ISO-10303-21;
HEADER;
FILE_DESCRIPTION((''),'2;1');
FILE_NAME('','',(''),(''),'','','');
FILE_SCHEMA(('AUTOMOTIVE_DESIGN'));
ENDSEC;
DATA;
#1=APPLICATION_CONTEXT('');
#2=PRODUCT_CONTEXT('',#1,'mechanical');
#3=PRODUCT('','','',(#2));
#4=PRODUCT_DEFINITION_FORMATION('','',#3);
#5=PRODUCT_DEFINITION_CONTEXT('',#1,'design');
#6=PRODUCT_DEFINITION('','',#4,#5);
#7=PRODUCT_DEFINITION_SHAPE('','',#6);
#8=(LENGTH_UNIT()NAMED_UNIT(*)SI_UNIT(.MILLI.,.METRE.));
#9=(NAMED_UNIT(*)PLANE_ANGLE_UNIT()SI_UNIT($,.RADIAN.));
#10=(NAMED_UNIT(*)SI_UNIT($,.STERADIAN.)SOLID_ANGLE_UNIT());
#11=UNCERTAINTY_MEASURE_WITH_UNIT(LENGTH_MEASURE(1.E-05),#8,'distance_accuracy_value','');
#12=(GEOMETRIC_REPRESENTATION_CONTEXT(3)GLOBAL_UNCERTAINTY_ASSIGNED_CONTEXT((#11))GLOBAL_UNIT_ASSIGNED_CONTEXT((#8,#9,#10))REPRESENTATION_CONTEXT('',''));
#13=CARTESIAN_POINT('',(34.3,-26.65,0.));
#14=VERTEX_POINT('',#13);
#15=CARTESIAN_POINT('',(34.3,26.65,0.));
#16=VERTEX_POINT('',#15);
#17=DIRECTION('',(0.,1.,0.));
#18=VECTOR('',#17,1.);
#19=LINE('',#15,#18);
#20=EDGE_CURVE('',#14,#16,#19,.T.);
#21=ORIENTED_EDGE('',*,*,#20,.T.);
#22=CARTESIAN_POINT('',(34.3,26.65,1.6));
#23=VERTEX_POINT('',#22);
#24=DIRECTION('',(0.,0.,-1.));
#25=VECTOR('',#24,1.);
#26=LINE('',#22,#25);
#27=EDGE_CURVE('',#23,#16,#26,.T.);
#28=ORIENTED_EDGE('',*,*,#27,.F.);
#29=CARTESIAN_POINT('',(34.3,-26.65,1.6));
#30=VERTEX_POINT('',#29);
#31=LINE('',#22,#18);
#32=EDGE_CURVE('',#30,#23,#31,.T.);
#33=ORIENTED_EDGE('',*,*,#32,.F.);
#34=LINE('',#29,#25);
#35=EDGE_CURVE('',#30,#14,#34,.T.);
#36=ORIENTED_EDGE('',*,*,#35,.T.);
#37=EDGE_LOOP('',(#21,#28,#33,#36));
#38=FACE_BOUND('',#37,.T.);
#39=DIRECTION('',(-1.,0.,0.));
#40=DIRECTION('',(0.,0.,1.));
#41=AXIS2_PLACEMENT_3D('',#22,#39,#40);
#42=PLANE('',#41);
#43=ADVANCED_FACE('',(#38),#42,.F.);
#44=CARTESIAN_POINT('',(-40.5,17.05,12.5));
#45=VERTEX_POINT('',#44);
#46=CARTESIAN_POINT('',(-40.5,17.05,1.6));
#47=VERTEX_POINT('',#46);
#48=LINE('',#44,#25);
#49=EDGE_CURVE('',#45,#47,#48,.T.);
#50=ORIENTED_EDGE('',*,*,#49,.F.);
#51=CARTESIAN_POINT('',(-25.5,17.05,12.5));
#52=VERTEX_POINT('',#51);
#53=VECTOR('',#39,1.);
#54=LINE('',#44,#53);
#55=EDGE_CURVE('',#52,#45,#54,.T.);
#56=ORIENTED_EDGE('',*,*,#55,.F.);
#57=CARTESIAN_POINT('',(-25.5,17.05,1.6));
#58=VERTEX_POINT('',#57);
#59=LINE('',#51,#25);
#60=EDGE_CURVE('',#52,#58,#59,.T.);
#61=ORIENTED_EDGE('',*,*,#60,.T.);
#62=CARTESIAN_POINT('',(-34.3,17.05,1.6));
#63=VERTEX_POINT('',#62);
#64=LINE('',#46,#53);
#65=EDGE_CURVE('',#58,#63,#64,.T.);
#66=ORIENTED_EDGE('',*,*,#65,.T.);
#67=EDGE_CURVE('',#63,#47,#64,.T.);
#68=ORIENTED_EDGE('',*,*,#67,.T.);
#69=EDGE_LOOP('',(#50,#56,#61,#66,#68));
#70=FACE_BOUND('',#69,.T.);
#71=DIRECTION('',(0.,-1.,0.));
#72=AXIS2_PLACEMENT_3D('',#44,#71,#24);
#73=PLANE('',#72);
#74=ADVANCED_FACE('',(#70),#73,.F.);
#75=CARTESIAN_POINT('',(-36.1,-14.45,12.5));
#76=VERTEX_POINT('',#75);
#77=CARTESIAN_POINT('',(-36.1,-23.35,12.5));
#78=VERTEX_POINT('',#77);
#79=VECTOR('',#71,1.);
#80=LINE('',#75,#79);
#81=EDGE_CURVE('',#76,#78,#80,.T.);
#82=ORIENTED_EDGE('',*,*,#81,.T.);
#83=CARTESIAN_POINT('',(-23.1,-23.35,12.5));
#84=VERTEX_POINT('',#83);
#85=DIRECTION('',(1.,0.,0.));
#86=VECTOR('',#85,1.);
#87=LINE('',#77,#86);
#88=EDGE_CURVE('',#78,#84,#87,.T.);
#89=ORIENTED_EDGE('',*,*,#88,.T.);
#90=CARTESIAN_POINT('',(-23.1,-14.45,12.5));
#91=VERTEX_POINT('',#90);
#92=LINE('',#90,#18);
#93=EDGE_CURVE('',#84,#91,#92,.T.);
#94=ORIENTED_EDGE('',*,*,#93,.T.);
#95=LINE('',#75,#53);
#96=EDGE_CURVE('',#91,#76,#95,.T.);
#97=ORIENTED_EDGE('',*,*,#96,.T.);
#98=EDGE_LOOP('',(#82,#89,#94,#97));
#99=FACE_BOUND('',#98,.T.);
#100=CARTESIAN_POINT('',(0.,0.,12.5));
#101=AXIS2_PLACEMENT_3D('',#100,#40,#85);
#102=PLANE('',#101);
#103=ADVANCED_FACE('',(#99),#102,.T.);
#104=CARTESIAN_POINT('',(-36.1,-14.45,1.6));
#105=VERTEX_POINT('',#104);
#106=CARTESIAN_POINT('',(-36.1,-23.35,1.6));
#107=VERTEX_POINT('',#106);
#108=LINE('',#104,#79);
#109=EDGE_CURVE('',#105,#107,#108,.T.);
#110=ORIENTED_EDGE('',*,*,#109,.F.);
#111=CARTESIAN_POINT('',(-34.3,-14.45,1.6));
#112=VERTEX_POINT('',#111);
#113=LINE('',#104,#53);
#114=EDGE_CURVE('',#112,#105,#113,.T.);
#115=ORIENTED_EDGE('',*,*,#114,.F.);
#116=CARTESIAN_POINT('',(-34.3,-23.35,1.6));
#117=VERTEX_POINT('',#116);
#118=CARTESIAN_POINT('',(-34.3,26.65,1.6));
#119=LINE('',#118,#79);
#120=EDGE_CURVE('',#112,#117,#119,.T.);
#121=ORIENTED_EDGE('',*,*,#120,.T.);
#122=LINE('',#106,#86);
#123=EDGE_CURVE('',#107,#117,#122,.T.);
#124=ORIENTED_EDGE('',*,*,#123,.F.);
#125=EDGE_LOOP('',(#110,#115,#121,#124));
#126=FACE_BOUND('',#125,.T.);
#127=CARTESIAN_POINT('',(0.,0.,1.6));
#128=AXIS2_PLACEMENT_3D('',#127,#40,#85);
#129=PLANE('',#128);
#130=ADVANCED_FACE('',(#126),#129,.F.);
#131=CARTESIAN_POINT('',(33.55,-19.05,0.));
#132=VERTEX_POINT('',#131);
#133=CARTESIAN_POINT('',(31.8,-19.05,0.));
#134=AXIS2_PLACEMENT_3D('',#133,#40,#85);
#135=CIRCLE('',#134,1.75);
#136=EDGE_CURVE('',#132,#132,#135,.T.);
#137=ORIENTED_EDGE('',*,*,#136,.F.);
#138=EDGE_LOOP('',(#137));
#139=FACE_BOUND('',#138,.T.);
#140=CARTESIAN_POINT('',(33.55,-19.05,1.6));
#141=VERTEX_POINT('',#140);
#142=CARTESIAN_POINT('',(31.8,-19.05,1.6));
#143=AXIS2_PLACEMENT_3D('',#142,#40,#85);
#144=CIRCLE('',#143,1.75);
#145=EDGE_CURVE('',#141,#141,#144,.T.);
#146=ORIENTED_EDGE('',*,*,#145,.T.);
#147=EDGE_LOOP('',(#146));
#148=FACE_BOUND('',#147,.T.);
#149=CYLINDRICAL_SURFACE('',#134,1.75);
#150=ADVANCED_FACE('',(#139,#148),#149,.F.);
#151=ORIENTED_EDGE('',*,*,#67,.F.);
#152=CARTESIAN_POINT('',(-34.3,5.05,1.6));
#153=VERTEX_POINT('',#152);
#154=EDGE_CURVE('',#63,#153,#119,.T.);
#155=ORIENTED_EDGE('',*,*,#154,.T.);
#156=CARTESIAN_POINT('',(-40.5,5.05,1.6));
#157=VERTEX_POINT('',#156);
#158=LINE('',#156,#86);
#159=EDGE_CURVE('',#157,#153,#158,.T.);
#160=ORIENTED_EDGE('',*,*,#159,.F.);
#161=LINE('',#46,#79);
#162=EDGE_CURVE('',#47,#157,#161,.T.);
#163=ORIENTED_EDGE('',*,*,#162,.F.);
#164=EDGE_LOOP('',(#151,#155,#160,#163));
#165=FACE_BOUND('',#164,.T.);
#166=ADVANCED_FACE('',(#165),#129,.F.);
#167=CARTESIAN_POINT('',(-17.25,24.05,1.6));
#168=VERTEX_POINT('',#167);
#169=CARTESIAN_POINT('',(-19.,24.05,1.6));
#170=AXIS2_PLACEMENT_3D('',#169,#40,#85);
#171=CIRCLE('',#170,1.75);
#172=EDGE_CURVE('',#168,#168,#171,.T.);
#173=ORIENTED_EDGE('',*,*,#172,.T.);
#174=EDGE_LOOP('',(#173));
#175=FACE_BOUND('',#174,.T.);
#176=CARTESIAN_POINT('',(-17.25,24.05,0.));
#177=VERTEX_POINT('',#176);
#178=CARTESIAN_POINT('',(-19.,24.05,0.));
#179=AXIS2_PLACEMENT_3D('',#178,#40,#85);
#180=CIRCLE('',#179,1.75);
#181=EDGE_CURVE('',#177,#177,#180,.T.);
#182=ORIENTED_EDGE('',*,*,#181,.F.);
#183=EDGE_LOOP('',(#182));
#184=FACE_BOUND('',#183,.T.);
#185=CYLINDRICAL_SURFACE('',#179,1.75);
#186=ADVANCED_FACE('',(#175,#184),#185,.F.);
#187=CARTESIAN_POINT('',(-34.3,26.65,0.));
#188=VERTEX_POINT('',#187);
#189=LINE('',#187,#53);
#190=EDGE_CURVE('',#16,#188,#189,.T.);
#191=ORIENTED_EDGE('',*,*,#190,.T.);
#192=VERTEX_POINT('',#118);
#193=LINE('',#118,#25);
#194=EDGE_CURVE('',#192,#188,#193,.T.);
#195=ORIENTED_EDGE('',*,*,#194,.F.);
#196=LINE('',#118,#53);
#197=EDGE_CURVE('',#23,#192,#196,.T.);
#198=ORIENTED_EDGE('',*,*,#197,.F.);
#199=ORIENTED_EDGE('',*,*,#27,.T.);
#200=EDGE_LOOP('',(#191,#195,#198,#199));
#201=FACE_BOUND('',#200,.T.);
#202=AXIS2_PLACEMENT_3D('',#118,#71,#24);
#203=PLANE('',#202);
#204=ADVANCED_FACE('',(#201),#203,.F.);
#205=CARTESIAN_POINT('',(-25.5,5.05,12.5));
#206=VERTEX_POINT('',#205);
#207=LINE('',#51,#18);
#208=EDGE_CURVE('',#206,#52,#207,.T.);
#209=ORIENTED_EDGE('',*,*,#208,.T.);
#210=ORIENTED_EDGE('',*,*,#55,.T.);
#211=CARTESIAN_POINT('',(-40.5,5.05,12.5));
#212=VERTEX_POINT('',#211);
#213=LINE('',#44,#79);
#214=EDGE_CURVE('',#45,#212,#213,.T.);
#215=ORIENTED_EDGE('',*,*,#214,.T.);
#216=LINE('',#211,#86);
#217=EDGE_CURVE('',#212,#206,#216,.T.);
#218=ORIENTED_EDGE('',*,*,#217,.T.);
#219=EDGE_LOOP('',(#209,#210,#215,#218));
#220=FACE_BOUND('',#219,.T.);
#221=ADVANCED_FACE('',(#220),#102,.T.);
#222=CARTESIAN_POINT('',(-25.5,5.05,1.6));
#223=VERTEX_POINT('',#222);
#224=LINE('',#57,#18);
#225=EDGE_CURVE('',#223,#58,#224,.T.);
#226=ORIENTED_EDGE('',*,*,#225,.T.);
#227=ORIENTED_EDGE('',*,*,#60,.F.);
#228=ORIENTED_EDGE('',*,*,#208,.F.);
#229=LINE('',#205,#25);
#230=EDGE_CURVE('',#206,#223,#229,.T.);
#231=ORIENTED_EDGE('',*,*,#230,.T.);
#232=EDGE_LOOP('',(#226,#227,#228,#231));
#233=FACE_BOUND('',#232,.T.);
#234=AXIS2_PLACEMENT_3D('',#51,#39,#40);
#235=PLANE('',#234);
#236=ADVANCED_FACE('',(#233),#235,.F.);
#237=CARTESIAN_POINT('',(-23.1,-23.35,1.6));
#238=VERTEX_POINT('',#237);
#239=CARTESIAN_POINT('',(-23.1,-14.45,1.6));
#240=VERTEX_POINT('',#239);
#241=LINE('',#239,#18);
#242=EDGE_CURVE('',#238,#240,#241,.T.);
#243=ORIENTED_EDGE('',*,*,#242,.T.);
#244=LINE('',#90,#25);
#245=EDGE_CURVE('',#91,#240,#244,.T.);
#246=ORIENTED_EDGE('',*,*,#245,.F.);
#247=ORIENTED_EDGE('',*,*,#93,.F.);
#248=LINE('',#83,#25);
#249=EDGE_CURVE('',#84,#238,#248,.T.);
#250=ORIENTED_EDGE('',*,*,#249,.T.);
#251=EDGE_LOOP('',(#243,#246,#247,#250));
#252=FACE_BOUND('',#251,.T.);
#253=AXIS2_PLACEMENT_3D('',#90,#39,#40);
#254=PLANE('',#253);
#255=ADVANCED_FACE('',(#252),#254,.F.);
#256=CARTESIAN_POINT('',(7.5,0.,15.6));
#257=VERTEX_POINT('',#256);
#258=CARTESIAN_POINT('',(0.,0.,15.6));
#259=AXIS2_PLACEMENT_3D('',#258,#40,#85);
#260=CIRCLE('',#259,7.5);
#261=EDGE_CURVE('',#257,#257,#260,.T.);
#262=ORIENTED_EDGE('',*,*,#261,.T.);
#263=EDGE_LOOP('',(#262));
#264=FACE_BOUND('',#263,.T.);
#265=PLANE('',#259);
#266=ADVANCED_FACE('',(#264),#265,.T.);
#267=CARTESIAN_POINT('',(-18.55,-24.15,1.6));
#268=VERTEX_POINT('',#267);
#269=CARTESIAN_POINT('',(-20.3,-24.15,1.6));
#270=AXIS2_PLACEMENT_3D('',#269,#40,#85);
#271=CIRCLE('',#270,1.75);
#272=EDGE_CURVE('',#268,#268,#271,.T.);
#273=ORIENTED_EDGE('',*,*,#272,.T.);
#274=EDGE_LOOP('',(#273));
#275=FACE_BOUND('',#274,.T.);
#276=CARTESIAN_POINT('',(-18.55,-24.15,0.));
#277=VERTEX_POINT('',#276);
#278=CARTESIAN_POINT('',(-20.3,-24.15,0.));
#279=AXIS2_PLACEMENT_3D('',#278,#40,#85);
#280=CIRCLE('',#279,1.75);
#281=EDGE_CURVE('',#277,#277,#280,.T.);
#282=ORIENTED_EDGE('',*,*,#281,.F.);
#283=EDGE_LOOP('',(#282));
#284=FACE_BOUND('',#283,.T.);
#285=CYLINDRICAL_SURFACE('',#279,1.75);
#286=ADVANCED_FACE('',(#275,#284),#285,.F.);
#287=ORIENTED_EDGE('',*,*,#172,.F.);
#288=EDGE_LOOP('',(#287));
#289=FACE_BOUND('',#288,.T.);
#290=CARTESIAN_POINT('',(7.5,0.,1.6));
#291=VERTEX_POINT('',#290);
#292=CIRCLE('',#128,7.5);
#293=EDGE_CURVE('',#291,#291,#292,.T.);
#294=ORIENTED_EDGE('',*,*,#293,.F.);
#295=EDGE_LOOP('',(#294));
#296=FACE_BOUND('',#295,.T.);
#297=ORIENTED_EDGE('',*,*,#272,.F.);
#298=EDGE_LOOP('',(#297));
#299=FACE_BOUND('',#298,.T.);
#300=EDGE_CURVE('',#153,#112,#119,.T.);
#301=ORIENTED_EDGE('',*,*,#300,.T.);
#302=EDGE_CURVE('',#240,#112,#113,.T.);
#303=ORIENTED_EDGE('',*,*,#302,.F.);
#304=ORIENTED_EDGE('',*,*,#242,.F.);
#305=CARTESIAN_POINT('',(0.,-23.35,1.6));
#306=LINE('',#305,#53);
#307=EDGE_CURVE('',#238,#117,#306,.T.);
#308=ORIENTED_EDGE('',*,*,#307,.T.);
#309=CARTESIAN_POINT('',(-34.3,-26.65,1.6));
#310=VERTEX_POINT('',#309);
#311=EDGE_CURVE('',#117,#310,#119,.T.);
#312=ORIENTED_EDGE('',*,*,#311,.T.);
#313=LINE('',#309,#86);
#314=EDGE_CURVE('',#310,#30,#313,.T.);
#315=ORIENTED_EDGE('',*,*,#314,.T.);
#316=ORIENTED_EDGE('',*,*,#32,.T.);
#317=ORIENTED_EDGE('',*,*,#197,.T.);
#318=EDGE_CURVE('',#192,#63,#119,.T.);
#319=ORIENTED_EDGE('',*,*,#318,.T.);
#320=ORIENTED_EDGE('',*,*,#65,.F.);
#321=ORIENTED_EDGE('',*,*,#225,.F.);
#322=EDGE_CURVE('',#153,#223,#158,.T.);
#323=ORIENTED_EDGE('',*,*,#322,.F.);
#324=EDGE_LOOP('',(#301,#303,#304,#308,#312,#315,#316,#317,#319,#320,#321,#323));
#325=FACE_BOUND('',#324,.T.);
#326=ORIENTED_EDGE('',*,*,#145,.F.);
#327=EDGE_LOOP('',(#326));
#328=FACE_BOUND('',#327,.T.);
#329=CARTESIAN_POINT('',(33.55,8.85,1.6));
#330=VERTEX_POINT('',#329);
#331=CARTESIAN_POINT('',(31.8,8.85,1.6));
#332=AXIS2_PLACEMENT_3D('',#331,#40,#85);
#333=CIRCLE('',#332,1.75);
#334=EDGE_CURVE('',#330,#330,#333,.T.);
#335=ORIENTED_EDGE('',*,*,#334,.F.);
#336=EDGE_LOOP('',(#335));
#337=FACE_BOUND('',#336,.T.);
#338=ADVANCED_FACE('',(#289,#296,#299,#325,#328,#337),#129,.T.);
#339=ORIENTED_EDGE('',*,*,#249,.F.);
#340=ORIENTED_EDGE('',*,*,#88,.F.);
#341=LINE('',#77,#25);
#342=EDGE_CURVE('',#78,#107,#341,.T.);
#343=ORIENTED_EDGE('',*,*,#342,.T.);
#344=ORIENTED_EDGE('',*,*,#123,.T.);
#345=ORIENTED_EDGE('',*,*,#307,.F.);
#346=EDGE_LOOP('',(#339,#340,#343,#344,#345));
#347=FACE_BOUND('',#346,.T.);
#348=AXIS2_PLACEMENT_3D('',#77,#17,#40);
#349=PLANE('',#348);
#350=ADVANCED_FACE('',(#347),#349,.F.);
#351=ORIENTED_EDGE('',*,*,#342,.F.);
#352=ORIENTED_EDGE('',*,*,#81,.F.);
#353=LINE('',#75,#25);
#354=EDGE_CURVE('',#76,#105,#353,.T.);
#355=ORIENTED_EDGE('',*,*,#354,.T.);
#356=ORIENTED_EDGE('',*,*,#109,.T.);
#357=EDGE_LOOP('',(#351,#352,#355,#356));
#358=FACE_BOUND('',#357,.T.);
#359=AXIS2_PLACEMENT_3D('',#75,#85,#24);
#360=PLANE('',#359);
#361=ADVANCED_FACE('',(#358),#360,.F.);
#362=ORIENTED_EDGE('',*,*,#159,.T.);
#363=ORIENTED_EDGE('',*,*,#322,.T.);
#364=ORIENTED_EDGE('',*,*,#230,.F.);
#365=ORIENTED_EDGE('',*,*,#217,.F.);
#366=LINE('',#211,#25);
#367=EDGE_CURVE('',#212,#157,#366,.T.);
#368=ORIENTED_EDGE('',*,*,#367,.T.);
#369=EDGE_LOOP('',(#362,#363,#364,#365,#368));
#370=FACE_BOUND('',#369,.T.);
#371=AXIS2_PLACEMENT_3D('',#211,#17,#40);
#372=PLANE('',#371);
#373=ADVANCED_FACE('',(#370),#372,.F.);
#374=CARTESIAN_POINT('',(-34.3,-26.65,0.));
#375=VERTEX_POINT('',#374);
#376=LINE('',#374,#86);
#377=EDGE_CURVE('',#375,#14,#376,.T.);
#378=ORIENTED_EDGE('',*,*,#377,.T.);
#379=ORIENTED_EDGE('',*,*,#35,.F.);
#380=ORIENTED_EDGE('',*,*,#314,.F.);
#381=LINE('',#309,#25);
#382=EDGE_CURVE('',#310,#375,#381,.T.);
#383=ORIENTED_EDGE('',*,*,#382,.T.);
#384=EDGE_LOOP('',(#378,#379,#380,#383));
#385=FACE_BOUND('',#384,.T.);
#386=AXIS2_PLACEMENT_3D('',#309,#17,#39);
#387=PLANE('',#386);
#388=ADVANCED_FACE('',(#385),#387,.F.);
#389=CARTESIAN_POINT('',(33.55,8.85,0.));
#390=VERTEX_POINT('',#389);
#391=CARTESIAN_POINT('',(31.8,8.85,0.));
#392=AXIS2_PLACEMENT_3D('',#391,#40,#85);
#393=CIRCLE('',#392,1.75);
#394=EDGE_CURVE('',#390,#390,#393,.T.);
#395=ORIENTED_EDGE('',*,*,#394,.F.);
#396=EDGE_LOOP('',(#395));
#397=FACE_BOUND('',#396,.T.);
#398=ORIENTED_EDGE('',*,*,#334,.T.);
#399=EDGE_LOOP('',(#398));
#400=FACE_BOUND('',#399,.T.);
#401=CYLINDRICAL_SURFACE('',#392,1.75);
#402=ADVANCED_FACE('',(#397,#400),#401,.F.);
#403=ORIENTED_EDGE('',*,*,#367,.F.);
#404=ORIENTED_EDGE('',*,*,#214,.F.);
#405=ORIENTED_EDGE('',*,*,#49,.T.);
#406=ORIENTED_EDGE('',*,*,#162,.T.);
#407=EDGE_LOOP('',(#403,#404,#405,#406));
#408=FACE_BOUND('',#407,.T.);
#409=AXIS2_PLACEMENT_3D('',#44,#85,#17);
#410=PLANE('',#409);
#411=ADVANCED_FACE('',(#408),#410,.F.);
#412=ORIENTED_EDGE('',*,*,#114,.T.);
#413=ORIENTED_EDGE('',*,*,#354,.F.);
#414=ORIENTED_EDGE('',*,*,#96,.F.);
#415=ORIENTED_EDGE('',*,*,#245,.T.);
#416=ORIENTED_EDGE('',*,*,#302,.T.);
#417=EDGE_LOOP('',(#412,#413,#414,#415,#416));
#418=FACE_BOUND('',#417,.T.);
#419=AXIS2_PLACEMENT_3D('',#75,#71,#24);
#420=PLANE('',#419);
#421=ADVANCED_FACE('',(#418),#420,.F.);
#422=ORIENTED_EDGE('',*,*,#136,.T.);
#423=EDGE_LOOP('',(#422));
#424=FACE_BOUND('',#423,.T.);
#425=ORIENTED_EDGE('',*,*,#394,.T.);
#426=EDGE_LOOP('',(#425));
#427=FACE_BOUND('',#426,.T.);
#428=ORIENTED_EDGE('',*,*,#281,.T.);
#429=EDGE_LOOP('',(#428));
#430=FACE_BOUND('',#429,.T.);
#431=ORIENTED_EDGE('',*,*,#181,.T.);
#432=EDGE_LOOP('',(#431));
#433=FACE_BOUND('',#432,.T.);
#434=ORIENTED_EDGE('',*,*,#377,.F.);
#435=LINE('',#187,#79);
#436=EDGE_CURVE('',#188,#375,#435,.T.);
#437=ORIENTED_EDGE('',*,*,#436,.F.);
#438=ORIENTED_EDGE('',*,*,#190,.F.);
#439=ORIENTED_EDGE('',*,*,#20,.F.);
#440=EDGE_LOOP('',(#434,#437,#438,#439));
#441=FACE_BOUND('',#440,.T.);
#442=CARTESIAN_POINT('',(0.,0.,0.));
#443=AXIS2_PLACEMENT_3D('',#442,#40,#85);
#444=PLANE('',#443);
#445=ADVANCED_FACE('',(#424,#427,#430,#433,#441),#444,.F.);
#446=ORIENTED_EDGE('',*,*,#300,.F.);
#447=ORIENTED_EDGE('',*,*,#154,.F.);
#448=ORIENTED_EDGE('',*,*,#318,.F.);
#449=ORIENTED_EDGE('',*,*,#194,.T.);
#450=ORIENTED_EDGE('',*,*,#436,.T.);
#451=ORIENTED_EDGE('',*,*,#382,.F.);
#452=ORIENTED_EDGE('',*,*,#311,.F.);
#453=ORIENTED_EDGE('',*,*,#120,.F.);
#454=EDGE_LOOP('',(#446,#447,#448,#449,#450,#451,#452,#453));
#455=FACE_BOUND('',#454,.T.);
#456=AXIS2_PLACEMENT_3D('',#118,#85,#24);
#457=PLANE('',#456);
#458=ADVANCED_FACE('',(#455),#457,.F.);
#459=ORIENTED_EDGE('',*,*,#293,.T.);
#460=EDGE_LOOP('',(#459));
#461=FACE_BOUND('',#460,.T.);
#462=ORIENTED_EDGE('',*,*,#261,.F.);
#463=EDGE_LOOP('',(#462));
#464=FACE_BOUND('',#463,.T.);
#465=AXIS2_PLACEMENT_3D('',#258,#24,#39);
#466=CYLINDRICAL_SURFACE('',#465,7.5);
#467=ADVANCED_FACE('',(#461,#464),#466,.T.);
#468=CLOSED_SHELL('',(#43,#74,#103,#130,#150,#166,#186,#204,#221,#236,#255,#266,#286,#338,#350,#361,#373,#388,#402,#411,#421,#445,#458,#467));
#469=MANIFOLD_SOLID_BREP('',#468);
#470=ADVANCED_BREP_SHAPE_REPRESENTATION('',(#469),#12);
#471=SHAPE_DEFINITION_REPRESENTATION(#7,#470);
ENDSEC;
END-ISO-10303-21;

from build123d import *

# Parameters (mm, degrees)
SKETCH1_W           = 68.6
SKETCH1_H           = 53.3
BOSS_EXTRUDE1_DEPTH = 1.6
SKETCH2_W           = 15
SKETCH2_H           = 12
SKETCH2_W_2         = 13
SKETCH2_H_2         = 8.9
BOSS_EXTRUDE2_DEPTH = 10.9
SKETCH3_R           = 1.75
CUT_EXTRUDE1_DEPTH  = 2.6
SKETCH4_R           = 7.5
BOSS_EXTRUDE3_DEPTH = 14


with BuildPart() as part:
    # Sketch1 → Boss-Extrude1 (new body)
    with BuildSketch(Plane.XY):
        Rectangle(SKETCH1_W, SKETCH1_H)
    extrude(amount=BOSS_EXTRUDE1_DEPTH)

    # Sketch2 → Boss-Extrude2 (add)
    with BuildSketch(Plane.XY.offset(1.6)):
        with Locations((-33, 11.05)):
            Rectangle(SKETCH2_W, SKETCH2_H)
        with Locations((-29.6, -18.9)):
            Rectangle(SKETCH2_W_2, SKETCH2_H_2)
    extrude(amount=BOSS_EXTRUDE2_DEPTH)

    # Sketch3 → Cut-Extrude1 (cut, through all)
    with BuildSketch(Plane.XY.offset(1.6)):
        with Locations((-19, 24.05)):
            Circle(SKETCH3_R)
        with Locations((-20.3, -24.15)):
            Circle(SKETCH3_R)
        with Locations((31.8, -19.05)):
            Circle(SKETCH3_R)
        with Locations((31.8, 8.85)):
            Circle(SKETCH3_R)
    extrude(amount=-CUT_EXTRUDE1_DEPTH, mode=Mode.SUBTRACT)

    # Sketch4 → Boss-Extrude3 (add)
    with BuildSketch(Plane.XY.offset(1.6)):
        Circle(SKETCH4_R)
    extrude(amount=BOSS_EXTRUDE3_DEPTH)


solid = part.part
